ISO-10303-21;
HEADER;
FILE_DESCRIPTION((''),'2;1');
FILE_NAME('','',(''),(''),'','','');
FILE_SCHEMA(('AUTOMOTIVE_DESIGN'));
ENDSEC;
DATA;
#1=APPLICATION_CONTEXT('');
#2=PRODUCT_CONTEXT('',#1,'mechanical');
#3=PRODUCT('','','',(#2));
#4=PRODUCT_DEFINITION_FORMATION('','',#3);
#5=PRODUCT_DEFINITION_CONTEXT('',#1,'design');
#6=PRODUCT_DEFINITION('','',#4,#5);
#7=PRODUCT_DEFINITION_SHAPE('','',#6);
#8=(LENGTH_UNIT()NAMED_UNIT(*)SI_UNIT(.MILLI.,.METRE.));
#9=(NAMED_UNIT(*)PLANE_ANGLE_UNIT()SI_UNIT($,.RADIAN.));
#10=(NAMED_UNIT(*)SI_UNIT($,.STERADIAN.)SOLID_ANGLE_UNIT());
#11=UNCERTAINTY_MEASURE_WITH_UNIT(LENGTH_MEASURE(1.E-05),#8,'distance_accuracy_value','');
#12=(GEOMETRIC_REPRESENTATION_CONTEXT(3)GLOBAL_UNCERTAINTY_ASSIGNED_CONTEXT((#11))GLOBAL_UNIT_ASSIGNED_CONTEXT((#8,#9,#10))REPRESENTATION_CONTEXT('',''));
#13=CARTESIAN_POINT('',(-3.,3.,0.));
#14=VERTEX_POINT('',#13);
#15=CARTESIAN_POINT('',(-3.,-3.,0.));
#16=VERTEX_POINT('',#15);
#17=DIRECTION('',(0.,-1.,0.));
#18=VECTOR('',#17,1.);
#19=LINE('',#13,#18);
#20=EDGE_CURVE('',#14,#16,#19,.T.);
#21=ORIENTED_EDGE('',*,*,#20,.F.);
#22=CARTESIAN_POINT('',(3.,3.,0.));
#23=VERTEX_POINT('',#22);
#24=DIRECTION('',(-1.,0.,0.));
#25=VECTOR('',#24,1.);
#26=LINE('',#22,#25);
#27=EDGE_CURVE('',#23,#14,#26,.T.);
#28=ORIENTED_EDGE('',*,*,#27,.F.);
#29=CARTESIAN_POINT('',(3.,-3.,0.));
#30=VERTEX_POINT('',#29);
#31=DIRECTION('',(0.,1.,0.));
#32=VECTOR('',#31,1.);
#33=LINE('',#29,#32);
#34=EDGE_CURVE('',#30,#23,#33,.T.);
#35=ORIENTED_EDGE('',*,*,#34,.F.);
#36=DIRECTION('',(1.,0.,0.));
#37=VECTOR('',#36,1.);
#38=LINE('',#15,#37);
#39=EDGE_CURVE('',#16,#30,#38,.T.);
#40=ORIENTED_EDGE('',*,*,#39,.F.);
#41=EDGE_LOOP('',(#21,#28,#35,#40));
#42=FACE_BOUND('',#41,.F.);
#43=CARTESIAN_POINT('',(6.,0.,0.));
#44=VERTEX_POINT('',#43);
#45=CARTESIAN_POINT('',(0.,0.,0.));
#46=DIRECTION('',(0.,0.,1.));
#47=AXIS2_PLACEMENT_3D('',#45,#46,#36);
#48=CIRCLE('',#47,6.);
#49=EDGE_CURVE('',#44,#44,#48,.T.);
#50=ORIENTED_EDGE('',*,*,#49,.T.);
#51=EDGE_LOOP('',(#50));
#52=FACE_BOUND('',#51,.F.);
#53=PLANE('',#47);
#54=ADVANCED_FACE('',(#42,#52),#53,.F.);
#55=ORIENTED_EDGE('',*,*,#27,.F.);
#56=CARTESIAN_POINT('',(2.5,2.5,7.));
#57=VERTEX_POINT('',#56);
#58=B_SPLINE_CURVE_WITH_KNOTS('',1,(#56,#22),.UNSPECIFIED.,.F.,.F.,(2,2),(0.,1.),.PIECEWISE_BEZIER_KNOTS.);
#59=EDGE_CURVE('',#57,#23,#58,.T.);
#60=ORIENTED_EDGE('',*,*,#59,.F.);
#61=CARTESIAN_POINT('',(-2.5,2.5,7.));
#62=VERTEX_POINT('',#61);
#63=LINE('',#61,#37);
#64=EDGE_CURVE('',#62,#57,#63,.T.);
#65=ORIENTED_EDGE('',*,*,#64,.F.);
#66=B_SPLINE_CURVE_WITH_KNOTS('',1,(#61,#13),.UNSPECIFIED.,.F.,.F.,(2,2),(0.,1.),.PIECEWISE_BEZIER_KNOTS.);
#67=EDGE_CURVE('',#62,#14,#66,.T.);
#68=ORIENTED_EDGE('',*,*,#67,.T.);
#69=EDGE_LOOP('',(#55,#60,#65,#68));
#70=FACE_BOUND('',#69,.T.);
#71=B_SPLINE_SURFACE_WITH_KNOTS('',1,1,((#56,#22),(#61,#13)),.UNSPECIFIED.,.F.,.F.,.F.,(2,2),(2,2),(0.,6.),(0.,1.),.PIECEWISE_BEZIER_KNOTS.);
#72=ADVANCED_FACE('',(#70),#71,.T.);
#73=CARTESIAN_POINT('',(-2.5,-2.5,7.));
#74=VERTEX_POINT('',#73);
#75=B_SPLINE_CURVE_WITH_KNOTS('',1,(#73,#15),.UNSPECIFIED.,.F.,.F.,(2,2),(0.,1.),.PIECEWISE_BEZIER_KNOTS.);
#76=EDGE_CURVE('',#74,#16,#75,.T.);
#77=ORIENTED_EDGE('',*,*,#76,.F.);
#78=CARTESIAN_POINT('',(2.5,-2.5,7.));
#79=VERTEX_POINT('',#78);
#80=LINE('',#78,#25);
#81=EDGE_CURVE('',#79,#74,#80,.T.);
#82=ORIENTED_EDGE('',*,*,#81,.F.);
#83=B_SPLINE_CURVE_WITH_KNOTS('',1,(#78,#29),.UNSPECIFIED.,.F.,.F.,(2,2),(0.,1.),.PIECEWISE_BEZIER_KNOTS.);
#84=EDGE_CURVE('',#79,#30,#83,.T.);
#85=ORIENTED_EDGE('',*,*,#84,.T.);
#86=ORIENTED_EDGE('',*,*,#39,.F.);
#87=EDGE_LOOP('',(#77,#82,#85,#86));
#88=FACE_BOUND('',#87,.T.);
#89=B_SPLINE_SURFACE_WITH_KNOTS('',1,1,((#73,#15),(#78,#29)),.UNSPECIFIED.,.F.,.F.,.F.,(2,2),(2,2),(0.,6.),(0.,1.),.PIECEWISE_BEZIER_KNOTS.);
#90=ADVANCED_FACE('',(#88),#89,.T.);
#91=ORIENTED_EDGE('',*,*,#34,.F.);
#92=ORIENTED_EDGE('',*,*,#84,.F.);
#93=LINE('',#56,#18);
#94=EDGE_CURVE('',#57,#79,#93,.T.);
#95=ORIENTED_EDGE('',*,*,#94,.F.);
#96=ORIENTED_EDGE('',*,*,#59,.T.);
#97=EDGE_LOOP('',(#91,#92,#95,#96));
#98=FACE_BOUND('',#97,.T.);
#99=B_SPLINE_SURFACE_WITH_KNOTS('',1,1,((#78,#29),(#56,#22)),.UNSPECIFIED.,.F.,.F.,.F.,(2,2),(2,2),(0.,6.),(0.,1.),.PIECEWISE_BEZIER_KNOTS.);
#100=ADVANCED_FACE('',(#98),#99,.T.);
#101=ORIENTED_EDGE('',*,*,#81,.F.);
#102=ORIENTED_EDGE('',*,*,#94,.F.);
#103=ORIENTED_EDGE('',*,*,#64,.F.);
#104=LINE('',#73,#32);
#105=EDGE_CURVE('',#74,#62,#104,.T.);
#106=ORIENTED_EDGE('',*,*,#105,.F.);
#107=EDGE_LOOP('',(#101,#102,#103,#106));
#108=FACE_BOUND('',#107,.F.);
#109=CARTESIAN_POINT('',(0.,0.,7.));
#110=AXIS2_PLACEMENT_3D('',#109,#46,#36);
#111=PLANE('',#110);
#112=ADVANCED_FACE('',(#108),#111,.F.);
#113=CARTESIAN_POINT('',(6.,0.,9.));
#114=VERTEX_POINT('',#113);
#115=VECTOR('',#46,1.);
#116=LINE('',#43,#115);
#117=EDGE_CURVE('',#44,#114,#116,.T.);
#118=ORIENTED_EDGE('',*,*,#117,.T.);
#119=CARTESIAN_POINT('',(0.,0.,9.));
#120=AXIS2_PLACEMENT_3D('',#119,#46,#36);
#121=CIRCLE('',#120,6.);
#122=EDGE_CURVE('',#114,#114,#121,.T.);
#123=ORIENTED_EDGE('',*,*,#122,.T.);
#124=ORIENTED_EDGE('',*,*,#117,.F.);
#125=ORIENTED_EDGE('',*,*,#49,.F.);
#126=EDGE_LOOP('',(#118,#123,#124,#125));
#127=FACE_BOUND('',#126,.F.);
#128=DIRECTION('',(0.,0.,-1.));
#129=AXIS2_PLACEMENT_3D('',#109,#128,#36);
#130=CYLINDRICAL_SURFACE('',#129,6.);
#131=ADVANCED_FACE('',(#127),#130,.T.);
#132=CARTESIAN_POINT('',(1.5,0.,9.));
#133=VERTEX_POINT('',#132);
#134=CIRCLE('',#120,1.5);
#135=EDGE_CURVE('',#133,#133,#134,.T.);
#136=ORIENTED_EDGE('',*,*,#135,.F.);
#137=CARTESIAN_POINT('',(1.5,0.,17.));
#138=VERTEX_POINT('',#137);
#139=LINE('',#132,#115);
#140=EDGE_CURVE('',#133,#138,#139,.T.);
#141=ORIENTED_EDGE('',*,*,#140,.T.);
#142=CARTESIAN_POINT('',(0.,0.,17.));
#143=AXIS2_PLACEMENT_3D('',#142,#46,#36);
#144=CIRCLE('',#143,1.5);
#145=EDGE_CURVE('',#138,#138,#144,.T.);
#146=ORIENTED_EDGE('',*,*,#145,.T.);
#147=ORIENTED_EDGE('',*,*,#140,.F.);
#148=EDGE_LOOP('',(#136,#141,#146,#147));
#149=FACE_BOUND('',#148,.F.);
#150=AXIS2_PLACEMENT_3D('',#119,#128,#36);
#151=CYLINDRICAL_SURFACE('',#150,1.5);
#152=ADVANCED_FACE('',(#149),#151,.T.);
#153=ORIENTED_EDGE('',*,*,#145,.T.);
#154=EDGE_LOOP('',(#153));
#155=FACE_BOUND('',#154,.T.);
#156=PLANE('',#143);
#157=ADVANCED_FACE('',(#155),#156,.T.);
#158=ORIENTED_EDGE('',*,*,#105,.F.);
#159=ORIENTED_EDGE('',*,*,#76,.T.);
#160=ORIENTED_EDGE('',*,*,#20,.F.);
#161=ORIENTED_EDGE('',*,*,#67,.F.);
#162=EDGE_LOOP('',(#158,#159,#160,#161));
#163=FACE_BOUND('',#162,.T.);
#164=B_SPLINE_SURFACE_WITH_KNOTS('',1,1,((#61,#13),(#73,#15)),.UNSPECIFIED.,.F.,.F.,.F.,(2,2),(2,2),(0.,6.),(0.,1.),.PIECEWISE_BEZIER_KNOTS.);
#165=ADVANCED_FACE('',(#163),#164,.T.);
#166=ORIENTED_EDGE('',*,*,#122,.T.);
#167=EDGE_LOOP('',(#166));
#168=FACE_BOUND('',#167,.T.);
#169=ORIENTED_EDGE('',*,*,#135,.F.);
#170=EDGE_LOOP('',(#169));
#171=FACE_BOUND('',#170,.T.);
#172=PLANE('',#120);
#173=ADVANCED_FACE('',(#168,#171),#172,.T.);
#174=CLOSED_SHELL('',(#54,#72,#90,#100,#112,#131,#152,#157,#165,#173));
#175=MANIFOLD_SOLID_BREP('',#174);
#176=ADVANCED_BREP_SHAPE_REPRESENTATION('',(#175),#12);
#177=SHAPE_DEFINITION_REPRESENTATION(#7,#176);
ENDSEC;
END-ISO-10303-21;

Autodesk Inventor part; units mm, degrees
ref_plane "YZ Plane" through (0, 0, 0) normal (1, 0, 0) x (0, 1, 0)
ref_plane "XZ Plane" through (0, 0, 0) normal (0, 1, 0) x (-1, 0, 0)
ref_plane "XY Plane" through (0, 0, 0) normal (0, 0, 1) x (1, 0, 0)
sketch "Sketch8" plane through (0, 0, 0) normal (0, 0, 1) x (1, 0, 0)
  circle A0 centre (0, 0) radius 6
  dimension "d35" = 12
extrude "Extrusion4" add sketch "Sketch8" along normal blind 7
sketch "Sketch9" plane through (0, 0, 7) normal (0, 0, 1) x (1, 0, 0)
  line L0 (-2.5, 2.5) -> (2.5, 2.5)
  line L1 (2.5, 2.5) -> (2.5, -2.5)
  line L2 (2.5, -2.5) -> (-2.5, -2.5)
  line L3 (-2.5, -2.5) -> (-2.5, 2.5)
  point P0 (0, 0)
  point P1 (0, 0)
  dimension "d38" = 5
  dimension "d39" = 5
  dimension "d40" = 2.5
  dimension "d41" = 2.5
sketch "Sketch10" plane through (0, 0, 0) normal (0, 0, -1) x (-1, 0, 0)
  line L0 (-3, 3) -> (3, 3)
  line L1 (3, 3) -> (3, -3)
  line L2 (3, -3) -> (-3, -3)
  line L3 (-3, -3) -> (-3, 3)
  point P0 (0, 0)
  dimension "d42" = 6
  dimension "d43" = 6
  dimension "d44" = 3
  dimension "d45" = 3
loft "Loft3" cut profiles "Sketch9", "Sketch10"
sketch "Sketch11" plane through (0, 0, 7) normal (0, 0, 1) x (1, 0, 0)
  circle A0 centre (0, 0) radius 6
extrude "Extrusion5" add sketch "Sketch11" along normal blind 2
sketch "Sketch12" plane through (0, 0, 9) normal (0, 0, 1) x (1, 0, 0)
  circle A0 centre (0, 0) radius 1.5
  dimension "d52" = 3
extrude "Extrusion6" add sketch "Sketch12" along normal blind 8
properties part number "Input Connection"
